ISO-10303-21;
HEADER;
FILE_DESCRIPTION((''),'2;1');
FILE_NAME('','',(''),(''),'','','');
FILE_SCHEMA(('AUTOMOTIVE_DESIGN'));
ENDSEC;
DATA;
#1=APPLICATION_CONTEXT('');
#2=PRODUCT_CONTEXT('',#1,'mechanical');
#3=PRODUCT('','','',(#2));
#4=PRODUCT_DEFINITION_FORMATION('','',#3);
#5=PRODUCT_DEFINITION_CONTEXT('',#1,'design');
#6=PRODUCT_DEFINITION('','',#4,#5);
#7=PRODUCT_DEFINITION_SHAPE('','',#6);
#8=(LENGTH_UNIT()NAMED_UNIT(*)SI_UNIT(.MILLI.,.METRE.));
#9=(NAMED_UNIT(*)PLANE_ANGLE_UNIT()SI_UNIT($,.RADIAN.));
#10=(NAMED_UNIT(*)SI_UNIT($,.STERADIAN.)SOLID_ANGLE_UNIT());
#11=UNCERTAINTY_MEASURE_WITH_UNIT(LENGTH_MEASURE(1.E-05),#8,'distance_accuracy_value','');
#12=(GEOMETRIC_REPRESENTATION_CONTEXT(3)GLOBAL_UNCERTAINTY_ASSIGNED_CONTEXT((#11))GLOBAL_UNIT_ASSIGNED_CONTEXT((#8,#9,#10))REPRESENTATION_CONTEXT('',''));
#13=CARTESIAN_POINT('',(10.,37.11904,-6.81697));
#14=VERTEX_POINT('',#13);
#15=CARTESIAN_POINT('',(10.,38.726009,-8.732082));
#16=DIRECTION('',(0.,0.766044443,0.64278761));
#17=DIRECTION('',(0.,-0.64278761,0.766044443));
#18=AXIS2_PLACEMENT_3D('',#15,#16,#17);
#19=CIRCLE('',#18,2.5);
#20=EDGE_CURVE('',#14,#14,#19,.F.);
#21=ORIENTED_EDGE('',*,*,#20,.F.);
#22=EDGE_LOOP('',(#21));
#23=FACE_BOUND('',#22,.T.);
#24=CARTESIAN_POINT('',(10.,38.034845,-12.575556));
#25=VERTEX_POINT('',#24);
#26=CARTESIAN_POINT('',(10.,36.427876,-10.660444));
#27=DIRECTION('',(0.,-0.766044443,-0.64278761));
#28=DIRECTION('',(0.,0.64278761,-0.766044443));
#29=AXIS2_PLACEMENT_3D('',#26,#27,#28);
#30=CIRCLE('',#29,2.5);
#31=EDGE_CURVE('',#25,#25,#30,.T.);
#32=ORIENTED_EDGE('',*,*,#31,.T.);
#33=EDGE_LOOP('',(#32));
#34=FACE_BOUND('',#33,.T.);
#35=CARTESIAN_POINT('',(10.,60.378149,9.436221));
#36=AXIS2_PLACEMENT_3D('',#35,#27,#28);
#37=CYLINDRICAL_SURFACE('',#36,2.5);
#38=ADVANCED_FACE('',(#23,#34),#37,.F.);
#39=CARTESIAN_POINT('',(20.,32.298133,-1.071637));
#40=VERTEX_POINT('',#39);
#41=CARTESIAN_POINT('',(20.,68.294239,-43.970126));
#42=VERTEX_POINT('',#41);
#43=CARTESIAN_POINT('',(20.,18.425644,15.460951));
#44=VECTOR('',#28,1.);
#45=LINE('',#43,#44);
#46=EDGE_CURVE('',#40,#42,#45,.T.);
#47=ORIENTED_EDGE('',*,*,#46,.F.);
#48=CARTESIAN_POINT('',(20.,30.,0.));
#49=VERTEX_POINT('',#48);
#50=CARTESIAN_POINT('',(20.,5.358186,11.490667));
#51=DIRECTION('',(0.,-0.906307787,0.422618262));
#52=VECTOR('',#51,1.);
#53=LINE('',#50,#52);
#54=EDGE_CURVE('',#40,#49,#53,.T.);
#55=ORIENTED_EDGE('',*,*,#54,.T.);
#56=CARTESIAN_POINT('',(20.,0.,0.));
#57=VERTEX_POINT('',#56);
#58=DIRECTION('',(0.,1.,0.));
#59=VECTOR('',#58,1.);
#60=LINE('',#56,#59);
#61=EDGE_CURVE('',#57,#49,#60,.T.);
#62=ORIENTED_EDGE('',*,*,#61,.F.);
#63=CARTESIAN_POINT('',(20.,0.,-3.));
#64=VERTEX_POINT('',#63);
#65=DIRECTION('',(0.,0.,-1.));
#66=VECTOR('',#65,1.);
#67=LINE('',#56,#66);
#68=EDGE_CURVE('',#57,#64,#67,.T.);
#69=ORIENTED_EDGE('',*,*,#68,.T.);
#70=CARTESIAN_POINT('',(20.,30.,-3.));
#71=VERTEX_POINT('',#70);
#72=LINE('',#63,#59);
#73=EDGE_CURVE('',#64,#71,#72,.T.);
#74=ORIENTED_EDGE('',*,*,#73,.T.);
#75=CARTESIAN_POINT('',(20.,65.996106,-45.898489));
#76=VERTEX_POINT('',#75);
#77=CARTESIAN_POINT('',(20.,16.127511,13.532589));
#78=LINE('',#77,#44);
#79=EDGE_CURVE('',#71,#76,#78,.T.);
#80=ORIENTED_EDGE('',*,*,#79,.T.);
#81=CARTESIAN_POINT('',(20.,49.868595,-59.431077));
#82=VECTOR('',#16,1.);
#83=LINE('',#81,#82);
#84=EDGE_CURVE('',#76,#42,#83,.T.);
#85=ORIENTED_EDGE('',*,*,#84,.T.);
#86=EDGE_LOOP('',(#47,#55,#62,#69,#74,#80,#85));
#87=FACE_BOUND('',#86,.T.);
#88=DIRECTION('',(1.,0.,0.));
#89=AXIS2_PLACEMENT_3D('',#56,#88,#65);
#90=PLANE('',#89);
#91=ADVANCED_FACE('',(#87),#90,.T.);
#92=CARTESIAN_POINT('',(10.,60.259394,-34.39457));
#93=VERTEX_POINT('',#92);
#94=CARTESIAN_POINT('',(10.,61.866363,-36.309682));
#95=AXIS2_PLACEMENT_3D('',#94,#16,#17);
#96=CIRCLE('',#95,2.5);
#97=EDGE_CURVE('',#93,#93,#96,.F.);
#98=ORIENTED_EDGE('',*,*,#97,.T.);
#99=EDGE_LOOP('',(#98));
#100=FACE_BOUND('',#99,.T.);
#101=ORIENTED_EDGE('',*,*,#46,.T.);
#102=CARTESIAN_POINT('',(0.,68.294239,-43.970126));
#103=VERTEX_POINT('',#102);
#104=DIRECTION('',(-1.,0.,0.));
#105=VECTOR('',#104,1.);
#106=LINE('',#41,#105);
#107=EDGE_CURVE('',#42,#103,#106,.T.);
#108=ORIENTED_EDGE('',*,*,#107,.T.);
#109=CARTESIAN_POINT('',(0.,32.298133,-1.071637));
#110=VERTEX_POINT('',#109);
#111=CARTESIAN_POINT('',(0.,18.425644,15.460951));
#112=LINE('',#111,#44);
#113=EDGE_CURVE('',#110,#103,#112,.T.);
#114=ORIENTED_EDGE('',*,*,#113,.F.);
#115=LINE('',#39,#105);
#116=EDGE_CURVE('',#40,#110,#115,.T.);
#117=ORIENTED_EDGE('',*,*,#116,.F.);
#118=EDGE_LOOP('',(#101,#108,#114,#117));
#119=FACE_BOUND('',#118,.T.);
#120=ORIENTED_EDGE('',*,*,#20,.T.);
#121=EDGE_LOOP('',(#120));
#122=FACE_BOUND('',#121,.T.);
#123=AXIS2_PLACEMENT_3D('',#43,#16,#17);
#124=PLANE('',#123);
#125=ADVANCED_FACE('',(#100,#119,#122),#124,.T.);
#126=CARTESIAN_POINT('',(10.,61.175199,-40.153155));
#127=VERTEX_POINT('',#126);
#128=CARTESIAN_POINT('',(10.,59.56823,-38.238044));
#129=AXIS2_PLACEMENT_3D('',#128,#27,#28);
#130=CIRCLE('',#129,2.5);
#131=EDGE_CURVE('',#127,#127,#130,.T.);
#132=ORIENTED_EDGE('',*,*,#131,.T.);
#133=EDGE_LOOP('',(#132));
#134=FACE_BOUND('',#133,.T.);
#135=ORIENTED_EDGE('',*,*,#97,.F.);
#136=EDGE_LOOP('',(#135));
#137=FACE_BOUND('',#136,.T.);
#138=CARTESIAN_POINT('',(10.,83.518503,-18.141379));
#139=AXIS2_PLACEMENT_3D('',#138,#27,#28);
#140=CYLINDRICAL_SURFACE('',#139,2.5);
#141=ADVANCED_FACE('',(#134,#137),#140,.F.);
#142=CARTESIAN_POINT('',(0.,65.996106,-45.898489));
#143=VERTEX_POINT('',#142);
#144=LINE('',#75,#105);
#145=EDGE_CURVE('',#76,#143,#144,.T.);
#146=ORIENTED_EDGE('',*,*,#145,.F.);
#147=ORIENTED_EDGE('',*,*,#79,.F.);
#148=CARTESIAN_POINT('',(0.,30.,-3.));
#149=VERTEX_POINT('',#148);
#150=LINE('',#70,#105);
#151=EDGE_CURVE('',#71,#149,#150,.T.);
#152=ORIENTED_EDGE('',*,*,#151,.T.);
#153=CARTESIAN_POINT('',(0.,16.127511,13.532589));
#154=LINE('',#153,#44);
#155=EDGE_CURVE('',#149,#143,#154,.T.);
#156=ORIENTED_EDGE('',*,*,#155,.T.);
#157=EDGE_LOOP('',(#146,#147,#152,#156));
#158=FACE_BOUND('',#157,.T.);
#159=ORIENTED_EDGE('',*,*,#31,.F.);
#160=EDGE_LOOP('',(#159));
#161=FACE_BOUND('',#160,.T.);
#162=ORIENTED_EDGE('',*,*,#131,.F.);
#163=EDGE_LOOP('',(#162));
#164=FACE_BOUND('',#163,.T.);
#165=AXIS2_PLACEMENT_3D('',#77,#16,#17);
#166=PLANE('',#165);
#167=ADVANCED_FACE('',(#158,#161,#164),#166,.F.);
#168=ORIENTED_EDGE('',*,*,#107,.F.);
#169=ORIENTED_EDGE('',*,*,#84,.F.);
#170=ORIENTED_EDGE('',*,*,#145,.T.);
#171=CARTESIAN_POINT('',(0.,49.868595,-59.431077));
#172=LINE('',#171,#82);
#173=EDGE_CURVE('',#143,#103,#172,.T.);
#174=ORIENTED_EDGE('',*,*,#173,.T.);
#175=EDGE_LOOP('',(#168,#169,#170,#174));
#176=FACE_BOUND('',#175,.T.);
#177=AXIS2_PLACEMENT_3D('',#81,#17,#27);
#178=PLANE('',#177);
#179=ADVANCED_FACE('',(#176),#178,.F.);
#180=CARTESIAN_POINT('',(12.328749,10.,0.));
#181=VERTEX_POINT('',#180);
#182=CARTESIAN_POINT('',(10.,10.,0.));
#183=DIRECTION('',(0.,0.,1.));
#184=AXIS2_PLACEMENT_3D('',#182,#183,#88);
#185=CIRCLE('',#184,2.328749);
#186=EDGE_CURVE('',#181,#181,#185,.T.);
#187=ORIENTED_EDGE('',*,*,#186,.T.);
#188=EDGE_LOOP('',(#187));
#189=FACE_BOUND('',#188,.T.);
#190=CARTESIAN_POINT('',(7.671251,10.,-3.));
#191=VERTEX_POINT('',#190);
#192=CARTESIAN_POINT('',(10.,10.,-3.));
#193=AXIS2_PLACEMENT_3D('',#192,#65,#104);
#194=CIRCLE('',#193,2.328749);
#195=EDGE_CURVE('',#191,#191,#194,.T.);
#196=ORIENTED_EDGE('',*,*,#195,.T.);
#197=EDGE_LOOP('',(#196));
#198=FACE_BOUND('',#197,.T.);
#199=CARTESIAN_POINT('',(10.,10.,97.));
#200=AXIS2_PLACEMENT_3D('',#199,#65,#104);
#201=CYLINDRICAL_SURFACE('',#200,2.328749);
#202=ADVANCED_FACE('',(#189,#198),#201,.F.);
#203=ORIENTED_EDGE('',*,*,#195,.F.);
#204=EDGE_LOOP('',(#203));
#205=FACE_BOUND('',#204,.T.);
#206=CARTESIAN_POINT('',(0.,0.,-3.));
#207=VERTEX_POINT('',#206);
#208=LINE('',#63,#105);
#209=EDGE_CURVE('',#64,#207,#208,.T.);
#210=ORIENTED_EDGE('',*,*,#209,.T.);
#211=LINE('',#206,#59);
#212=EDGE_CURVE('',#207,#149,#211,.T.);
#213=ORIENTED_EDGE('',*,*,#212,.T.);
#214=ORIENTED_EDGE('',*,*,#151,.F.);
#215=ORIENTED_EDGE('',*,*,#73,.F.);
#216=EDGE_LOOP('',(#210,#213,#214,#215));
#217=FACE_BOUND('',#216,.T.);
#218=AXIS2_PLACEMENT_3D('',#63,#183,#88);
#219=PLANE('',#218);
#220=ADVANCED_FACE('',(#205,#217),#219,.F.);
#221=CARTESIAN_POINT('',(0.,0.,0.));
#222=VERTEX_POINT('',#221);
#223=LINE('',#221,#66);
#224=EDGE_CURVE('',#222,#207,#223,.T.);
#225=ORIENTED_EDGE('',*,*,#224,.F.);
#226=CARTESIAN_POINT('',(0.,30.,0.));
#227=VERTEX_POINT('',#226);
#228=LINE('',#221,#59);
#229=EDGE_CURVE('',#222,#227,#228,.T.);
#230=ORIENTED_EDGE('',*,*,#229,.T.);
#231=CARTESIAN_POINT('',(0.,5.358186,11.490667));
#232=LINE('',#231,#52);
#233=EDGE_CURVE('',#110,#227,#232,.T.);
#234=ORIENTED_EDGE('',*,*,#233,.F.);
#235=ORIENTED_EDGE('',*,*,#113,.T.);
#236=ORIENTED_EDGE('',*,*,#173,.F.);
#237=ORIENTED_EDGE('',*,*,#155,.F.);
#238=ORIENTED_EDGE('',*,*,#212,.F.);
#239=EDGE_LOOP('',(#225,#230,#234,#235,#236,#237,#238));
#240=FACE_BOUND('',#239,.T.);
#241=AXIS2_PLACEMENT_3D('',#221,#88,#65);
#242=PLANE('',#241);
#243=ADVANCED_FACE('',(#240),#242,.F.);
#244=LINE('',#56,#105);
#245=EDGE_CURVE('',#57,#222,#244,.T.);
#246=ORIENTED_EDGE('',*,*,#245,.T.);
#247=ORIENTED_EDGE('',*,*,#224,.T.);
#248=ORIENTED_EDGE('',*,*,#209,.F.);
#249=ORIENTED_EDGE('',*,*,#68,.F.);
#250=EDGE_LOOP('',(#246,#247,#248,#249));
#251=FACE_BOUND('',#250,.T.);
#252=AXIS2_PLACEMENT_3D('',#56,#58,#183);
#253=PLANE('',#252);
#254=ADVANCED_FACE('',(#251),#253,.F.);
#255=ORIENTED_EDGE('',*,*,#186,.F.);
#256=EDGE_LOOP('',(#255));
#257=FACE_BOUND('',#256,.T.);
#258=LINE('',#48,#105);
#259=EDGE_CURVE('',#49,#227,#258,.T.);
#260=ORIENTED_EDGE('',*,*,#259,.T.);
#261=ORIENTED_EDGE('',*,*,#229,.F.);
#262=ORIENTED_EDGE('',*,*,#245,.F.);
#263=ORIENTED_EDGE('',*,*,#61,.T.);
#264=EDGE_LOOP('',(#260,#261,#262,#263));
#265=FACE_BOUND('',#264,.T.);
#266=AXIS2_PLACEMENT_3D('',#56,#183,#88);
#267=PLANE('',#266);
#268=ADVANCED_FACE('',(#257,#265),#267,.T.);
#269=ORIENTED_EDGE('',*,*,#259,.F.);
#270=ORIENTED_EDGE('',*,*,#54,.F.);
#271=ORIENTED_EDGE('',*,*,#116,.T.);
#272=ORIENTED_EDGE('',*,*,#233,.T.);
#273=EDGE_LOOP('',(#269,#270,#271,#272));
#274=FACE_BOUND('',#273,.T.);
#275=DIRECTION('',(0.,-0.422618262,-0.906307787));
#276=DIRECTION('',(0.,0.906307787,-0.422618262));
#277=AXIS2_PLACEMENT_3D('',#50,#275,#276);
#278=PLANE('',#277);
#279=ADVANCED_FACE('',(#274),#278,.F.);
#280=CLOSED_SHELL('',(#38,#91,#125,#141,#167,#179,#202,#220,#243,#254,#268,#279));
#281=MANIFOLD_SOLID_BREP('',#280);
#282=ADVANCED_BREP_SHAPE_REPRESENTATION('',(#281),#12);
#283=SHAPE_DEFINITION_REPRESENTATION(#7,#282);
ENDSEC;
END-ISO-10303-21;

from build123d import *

# Parameters (mm, degrees)
EXTRUDE_1_DEPTH     = 20
CUT_EXTRUDE_1_REACH = 83.569
SKETCH_3_R          = 2.5
SKETCH_4_R          = 2.328749205
CUT_EXTRUDE_2_DEPTH = 100


with BuildPart() as part:
    # 草图2 → 凸台-拉伸1 (new body)
    with BuildSketch(Plane(origin=(0, 0, 0), x_dir=(0, 0, -1), z_dir=(1, 0, 0))):
        Polygon((1.071637171, 32.298133329), (0, 30), (0, 0), (3, 0), (3, 30), (45.898488815, 65.996106142), (43.970125986, 68.294239472), align=None)
    extrude(amount=EXTRUDE_1_DEPTH)

    # 草图3 → 切除-拉伸1 (cut, up to next)
    with BuildSketch(Plane(origin=(0, 16.127511035, 13.532588562), x_dir=(-1, 0, 0), z_dir=(0, -0.7660444431189622, -0.6427876096865582)), mode=Mode.PRIVATE) as cut_extrude_1_sk1:
        with Locations((-10, 67.58176162)):
            Circle(SKETCH_3_R)
    cut_extrude_1_tool1 = extrude(cut_extrude_1_sk1.sketch, amount=-CUT_EXTRUDE_1_REACH, mode=Mode.PRIVATE) & part.part
    # 草图3 → 切除-拉伸1 (cut, up to next)
    with BuildSketch(Plane(origin=(0, 16.127511035, 13.532588562), x_dir=(-1, 0, 0), z_dir=(0, -0.7660444431189622, -0.6427876096865582)), mode=Mode.PRIVATE) as cut_extrude_1_sk2:
        with Locations((-10, 31.58176162)):
            Circle(SKETCH_3_R)
    cut_extrude_1_tool2 = extrude(cut_extrude_1_sk2.sketch, amount=-CUT_EXTRUDE_1_REACH, mode=Mode.PRIVATE) & part.part
    add(cut_extrude_1_tool1.solids().sort_by_distance((10, 59.56823, -38.238044))[0], mode=Mode.SUBTRACT)
    add(cut_extrude_1_tool2.solids().sort_by_distance((10, 36.427876, -10.660444))[0], mode=Mode.SUBTRACT)

    # 草图4 → 切除-拉伸2 (cut)
    with BuildSketch(Plane(origin=(0, 0, -3), x_dir=(-1, 0, 0), z_dir=(0, 0, -1))):
        with Locations((-10, 10)):
            Circle(SKETCH_4_R)
    extrude(amount=-CUT_EXTRUDE_2_DEPTH, mode=Mode.SUBTRACT)


solid = part.part
